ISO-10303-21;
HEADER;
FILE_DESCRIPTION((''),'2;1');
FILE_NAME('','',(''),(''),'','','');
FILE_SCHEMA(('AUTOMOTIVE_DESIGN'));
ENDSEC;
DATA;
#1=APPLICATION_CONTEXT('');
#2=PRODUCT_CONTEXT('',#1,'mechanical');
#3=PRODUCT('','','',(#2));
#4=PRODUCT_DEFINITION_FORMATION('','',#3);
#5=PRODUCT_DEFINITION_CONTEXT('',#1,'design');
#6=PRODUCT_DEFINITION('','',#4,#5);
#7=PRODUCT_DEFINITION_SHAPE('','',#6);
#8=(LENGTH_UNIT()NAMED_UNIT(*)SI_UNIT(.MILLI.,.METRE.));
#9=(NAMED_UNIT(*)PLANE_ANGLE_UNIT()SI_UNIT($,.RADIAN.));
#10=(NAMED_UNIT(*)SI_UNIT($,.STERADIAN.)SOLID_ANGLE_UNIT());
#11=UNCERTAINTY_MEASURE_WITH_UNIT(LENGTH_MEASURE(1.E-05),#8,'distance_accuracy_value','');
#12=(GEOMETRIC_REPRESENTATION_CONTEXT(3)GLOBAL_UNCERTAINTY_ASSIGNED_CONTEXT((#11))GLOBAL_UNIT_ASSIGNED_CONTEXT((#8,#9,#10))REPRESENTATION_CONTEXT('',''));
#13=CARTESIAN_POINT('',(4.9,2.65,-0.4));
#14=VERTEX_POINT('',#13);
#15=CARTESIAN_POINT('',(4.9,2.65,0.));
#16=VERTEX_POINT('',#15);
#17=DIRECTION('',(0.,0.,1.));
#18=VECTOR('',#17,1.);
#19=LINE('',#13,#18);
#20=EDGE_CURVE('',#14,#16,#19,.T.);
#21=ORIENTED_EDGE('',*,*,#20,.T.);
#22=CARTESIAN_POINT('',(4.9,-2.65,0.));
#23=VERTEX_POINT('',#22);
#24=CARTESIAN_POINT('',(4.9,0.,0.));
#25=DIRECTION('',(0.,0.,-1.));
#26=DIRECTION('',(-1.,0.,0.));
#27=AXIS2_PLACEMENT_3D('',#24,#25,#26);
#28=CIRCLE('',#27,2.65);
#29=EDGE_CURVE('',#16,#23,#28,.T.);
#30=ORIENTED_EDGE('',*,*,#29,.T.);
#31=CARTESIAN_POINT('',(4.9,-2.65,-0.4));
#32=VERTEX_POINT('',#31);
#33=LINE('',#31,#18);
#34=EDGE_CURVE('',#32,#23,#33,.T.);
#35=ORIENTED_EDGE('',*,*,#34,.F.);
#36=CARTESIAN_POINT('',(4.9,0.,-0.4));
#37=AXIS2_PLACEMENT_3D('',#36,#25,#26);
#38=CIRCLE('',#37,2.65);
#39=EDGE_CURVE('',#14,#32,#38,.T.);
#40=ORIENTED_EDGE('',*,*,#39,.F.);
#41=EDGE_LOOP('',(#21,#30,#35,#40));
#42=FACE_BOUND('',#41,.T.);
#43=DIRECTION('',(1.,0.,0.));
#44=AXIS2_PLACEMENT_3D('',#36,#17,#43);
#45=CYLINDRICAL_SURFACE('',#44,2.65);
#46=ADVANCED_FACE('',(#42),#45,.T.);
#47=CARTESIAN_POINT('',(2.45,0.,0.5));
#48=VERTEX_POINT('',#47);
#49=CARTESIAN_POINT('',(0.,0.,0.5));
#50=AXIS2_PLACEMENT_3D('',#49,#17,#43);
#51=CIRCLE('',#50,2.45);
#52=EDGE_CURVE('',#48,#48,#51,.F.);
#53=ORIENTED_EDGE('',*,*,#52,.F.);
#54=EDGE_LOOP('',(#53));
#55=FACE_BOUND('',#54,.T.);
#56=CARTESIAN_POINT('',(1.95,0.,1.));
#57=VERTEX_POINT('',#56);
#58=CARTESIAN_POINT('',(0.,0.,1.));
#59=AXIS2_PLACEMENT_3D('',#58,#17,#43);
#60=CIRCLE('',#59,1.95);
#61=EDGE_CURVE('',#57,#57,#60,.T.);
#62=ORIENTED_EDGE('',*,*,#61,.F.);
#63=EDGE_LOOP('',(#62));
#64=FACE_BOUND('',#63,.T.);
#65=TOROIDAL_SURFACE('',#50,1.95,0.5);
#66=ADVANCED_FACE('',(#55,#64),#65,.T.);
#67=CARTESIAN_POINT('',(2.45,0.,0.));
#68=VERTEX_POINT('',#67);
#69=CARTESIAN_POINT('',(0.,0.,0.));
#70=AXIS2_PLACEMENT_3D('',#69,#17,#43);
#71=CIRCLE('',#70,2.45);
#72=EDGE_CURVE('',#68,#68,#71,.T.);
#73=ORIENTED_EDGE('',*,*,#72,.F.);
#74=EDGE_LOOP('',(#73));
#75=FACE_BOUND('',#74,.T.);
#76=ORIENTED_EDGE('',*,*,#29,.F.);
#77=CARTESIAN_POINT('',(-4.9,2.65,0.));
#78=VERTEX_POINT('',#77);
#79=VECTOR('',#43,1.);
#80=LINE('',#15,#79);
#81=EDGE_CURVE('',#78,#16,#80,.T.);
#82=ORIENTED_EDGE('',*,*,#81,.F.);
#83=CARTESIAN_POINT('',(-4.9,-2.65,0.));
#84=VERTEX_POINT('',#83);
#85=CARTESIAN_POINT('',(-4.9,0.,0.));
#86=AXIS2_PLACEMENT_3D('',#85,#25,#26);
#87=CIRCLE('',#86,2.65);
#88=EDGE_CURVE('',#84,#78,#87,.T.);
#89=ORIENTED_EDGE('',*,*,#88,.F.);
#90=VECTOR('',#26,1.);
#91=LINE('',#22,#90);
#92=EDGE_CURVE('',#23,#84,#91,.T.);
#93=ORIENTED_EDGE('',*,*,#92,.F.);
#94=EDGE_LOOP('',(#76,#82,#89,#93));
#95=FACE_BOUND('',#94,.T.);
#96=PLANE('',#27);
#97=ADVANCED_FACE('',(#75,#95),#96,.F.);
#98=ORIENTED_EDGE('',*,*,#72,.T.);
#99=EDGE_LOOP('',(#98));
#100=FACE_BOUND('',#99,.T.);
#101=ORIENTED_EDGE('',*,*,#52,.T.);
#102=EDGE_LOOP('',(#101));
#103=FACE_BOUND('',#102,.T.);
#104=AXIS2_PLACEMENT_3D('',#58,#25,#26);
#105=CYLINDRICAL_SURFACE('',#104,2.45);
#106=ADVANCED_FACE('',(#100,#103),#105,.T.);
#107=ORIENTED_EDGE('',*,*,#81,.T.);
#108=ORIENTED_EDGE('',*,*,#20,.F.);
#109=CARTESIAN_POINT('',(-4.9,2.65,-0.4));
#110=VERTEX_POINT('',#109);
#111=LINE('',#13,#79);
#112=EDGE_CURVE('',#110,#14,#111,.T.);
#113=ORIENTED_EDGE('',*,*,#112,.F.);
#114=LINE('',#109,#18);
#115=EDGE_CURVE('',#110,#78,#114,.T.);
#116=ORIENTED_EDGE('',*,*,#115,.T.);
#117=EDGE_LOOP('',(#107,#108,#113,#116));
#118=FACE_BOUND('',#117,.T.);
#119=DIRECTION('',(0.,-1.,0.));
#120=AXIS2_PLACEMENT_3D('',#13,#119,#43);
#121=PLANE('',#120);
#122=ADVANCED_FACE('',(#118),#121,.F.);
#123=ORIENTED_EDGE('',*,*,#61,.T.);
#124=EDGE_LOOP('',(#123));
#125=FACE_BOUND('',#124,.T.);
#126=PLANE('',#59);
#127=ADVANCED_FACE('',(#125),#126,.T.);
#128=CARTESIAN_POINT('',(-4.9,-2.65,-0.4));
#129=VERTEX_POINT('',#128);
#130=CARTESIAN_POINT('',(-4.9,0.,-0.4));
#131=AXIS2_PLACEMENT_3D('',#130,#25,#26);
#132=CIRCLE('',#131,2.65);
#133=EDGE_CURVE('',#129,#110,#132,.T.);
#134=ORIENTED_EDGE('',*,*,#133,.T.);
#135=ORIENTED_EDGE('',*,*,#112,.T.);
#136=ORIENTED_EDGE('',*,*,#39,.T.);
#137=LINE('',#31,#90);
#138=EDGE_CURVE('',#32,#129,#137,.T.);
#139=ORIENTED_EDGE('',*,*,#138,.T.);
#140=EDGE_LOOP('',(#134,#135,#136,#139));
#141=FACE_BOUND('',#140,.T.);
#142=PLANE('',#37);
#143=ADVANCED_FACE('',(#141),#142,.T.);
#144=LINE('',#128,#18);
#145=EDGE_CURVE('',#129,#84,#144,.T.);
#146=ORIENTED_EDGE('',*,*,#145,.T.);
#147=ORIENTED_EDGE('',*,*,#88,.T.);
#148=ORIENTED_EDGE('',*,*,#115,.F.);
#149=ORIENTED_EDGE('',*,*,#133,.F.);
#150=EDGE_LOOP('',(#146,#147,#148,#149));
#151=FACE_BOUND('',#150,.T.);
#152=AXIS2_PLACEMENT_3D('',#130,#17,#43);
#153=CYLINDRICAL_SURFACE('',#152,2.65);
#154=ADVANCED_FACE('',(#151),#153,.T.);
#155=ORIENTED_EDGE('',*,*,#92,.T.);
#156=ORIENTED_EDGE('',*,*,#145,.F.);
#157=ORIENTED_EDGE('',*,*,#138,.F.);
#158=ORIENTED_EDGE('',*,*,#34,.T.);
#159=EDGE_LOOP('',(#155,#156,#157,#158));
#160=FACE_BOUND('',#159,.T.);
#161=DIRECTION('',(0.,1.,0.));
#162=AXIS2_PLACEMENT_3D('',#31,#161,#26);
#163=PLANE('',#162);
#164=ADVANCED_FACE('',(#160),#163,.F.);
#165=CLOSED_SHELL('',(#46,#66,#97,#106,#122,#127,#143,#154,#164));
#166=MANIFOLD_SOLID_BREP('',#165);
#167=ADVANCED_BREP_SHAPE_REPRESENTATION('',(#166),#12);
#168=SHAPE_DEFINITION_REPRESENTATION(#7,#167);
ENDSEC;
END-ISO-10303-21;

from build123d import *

# Parameters (mm, degrees)
SKIZZE1_R                       = 2.45
AUFSATZ_LINEAR_AUSTRAGEN1_DEPTH = 1
AUFSATZ_LINEAR_AUSTRAGEN2_DEPTH = 0.4
VERRUNDUNG1_R                   = 0.5


with BuildPart() as part:
    # Skizze1 → Aufsatz-Linear austragen1 (new body)
    with BuildSketch(Plane.XY):
        Circle(SKIZZE1_R)
    extrude(amount=AUFSATZ_LINEAR_AUSTRAGEN1_DEPTH)

    # Skizze2 → Aufsatz-Linear austragen2 (add)
    with BuildSketch(Plane(origin=(0, 0, 0), x_dir=(-1, 0, 0), z_dir=(0, 0, -1))):
        with BuildLine():
            Line((-4.9, 2.65), (4.9, 2.65))
            ThreePointArc((4.9, 2.65), (7.55, 0), (4.9, -2.65))
            Line((4.9, -2.65), (-4.9, -2.65))
            ThreePointArc((-4.9, -2.65), (-7.55, 0), (-4.9, 2.65))
        make_face()
    extrude(amount=AUFSATZ_LINEAR_AUSTRAGEN2_DEPTH)

    # Verrundung1
    verrundung1_edges = [part.edges().sort_by_distance(p)[0] for p in [
        (-2.45, 0, 1),
    ]]
    fillet(verrundung1_edges, radius=VERRUNDUNG1_R)


solid = part.part
